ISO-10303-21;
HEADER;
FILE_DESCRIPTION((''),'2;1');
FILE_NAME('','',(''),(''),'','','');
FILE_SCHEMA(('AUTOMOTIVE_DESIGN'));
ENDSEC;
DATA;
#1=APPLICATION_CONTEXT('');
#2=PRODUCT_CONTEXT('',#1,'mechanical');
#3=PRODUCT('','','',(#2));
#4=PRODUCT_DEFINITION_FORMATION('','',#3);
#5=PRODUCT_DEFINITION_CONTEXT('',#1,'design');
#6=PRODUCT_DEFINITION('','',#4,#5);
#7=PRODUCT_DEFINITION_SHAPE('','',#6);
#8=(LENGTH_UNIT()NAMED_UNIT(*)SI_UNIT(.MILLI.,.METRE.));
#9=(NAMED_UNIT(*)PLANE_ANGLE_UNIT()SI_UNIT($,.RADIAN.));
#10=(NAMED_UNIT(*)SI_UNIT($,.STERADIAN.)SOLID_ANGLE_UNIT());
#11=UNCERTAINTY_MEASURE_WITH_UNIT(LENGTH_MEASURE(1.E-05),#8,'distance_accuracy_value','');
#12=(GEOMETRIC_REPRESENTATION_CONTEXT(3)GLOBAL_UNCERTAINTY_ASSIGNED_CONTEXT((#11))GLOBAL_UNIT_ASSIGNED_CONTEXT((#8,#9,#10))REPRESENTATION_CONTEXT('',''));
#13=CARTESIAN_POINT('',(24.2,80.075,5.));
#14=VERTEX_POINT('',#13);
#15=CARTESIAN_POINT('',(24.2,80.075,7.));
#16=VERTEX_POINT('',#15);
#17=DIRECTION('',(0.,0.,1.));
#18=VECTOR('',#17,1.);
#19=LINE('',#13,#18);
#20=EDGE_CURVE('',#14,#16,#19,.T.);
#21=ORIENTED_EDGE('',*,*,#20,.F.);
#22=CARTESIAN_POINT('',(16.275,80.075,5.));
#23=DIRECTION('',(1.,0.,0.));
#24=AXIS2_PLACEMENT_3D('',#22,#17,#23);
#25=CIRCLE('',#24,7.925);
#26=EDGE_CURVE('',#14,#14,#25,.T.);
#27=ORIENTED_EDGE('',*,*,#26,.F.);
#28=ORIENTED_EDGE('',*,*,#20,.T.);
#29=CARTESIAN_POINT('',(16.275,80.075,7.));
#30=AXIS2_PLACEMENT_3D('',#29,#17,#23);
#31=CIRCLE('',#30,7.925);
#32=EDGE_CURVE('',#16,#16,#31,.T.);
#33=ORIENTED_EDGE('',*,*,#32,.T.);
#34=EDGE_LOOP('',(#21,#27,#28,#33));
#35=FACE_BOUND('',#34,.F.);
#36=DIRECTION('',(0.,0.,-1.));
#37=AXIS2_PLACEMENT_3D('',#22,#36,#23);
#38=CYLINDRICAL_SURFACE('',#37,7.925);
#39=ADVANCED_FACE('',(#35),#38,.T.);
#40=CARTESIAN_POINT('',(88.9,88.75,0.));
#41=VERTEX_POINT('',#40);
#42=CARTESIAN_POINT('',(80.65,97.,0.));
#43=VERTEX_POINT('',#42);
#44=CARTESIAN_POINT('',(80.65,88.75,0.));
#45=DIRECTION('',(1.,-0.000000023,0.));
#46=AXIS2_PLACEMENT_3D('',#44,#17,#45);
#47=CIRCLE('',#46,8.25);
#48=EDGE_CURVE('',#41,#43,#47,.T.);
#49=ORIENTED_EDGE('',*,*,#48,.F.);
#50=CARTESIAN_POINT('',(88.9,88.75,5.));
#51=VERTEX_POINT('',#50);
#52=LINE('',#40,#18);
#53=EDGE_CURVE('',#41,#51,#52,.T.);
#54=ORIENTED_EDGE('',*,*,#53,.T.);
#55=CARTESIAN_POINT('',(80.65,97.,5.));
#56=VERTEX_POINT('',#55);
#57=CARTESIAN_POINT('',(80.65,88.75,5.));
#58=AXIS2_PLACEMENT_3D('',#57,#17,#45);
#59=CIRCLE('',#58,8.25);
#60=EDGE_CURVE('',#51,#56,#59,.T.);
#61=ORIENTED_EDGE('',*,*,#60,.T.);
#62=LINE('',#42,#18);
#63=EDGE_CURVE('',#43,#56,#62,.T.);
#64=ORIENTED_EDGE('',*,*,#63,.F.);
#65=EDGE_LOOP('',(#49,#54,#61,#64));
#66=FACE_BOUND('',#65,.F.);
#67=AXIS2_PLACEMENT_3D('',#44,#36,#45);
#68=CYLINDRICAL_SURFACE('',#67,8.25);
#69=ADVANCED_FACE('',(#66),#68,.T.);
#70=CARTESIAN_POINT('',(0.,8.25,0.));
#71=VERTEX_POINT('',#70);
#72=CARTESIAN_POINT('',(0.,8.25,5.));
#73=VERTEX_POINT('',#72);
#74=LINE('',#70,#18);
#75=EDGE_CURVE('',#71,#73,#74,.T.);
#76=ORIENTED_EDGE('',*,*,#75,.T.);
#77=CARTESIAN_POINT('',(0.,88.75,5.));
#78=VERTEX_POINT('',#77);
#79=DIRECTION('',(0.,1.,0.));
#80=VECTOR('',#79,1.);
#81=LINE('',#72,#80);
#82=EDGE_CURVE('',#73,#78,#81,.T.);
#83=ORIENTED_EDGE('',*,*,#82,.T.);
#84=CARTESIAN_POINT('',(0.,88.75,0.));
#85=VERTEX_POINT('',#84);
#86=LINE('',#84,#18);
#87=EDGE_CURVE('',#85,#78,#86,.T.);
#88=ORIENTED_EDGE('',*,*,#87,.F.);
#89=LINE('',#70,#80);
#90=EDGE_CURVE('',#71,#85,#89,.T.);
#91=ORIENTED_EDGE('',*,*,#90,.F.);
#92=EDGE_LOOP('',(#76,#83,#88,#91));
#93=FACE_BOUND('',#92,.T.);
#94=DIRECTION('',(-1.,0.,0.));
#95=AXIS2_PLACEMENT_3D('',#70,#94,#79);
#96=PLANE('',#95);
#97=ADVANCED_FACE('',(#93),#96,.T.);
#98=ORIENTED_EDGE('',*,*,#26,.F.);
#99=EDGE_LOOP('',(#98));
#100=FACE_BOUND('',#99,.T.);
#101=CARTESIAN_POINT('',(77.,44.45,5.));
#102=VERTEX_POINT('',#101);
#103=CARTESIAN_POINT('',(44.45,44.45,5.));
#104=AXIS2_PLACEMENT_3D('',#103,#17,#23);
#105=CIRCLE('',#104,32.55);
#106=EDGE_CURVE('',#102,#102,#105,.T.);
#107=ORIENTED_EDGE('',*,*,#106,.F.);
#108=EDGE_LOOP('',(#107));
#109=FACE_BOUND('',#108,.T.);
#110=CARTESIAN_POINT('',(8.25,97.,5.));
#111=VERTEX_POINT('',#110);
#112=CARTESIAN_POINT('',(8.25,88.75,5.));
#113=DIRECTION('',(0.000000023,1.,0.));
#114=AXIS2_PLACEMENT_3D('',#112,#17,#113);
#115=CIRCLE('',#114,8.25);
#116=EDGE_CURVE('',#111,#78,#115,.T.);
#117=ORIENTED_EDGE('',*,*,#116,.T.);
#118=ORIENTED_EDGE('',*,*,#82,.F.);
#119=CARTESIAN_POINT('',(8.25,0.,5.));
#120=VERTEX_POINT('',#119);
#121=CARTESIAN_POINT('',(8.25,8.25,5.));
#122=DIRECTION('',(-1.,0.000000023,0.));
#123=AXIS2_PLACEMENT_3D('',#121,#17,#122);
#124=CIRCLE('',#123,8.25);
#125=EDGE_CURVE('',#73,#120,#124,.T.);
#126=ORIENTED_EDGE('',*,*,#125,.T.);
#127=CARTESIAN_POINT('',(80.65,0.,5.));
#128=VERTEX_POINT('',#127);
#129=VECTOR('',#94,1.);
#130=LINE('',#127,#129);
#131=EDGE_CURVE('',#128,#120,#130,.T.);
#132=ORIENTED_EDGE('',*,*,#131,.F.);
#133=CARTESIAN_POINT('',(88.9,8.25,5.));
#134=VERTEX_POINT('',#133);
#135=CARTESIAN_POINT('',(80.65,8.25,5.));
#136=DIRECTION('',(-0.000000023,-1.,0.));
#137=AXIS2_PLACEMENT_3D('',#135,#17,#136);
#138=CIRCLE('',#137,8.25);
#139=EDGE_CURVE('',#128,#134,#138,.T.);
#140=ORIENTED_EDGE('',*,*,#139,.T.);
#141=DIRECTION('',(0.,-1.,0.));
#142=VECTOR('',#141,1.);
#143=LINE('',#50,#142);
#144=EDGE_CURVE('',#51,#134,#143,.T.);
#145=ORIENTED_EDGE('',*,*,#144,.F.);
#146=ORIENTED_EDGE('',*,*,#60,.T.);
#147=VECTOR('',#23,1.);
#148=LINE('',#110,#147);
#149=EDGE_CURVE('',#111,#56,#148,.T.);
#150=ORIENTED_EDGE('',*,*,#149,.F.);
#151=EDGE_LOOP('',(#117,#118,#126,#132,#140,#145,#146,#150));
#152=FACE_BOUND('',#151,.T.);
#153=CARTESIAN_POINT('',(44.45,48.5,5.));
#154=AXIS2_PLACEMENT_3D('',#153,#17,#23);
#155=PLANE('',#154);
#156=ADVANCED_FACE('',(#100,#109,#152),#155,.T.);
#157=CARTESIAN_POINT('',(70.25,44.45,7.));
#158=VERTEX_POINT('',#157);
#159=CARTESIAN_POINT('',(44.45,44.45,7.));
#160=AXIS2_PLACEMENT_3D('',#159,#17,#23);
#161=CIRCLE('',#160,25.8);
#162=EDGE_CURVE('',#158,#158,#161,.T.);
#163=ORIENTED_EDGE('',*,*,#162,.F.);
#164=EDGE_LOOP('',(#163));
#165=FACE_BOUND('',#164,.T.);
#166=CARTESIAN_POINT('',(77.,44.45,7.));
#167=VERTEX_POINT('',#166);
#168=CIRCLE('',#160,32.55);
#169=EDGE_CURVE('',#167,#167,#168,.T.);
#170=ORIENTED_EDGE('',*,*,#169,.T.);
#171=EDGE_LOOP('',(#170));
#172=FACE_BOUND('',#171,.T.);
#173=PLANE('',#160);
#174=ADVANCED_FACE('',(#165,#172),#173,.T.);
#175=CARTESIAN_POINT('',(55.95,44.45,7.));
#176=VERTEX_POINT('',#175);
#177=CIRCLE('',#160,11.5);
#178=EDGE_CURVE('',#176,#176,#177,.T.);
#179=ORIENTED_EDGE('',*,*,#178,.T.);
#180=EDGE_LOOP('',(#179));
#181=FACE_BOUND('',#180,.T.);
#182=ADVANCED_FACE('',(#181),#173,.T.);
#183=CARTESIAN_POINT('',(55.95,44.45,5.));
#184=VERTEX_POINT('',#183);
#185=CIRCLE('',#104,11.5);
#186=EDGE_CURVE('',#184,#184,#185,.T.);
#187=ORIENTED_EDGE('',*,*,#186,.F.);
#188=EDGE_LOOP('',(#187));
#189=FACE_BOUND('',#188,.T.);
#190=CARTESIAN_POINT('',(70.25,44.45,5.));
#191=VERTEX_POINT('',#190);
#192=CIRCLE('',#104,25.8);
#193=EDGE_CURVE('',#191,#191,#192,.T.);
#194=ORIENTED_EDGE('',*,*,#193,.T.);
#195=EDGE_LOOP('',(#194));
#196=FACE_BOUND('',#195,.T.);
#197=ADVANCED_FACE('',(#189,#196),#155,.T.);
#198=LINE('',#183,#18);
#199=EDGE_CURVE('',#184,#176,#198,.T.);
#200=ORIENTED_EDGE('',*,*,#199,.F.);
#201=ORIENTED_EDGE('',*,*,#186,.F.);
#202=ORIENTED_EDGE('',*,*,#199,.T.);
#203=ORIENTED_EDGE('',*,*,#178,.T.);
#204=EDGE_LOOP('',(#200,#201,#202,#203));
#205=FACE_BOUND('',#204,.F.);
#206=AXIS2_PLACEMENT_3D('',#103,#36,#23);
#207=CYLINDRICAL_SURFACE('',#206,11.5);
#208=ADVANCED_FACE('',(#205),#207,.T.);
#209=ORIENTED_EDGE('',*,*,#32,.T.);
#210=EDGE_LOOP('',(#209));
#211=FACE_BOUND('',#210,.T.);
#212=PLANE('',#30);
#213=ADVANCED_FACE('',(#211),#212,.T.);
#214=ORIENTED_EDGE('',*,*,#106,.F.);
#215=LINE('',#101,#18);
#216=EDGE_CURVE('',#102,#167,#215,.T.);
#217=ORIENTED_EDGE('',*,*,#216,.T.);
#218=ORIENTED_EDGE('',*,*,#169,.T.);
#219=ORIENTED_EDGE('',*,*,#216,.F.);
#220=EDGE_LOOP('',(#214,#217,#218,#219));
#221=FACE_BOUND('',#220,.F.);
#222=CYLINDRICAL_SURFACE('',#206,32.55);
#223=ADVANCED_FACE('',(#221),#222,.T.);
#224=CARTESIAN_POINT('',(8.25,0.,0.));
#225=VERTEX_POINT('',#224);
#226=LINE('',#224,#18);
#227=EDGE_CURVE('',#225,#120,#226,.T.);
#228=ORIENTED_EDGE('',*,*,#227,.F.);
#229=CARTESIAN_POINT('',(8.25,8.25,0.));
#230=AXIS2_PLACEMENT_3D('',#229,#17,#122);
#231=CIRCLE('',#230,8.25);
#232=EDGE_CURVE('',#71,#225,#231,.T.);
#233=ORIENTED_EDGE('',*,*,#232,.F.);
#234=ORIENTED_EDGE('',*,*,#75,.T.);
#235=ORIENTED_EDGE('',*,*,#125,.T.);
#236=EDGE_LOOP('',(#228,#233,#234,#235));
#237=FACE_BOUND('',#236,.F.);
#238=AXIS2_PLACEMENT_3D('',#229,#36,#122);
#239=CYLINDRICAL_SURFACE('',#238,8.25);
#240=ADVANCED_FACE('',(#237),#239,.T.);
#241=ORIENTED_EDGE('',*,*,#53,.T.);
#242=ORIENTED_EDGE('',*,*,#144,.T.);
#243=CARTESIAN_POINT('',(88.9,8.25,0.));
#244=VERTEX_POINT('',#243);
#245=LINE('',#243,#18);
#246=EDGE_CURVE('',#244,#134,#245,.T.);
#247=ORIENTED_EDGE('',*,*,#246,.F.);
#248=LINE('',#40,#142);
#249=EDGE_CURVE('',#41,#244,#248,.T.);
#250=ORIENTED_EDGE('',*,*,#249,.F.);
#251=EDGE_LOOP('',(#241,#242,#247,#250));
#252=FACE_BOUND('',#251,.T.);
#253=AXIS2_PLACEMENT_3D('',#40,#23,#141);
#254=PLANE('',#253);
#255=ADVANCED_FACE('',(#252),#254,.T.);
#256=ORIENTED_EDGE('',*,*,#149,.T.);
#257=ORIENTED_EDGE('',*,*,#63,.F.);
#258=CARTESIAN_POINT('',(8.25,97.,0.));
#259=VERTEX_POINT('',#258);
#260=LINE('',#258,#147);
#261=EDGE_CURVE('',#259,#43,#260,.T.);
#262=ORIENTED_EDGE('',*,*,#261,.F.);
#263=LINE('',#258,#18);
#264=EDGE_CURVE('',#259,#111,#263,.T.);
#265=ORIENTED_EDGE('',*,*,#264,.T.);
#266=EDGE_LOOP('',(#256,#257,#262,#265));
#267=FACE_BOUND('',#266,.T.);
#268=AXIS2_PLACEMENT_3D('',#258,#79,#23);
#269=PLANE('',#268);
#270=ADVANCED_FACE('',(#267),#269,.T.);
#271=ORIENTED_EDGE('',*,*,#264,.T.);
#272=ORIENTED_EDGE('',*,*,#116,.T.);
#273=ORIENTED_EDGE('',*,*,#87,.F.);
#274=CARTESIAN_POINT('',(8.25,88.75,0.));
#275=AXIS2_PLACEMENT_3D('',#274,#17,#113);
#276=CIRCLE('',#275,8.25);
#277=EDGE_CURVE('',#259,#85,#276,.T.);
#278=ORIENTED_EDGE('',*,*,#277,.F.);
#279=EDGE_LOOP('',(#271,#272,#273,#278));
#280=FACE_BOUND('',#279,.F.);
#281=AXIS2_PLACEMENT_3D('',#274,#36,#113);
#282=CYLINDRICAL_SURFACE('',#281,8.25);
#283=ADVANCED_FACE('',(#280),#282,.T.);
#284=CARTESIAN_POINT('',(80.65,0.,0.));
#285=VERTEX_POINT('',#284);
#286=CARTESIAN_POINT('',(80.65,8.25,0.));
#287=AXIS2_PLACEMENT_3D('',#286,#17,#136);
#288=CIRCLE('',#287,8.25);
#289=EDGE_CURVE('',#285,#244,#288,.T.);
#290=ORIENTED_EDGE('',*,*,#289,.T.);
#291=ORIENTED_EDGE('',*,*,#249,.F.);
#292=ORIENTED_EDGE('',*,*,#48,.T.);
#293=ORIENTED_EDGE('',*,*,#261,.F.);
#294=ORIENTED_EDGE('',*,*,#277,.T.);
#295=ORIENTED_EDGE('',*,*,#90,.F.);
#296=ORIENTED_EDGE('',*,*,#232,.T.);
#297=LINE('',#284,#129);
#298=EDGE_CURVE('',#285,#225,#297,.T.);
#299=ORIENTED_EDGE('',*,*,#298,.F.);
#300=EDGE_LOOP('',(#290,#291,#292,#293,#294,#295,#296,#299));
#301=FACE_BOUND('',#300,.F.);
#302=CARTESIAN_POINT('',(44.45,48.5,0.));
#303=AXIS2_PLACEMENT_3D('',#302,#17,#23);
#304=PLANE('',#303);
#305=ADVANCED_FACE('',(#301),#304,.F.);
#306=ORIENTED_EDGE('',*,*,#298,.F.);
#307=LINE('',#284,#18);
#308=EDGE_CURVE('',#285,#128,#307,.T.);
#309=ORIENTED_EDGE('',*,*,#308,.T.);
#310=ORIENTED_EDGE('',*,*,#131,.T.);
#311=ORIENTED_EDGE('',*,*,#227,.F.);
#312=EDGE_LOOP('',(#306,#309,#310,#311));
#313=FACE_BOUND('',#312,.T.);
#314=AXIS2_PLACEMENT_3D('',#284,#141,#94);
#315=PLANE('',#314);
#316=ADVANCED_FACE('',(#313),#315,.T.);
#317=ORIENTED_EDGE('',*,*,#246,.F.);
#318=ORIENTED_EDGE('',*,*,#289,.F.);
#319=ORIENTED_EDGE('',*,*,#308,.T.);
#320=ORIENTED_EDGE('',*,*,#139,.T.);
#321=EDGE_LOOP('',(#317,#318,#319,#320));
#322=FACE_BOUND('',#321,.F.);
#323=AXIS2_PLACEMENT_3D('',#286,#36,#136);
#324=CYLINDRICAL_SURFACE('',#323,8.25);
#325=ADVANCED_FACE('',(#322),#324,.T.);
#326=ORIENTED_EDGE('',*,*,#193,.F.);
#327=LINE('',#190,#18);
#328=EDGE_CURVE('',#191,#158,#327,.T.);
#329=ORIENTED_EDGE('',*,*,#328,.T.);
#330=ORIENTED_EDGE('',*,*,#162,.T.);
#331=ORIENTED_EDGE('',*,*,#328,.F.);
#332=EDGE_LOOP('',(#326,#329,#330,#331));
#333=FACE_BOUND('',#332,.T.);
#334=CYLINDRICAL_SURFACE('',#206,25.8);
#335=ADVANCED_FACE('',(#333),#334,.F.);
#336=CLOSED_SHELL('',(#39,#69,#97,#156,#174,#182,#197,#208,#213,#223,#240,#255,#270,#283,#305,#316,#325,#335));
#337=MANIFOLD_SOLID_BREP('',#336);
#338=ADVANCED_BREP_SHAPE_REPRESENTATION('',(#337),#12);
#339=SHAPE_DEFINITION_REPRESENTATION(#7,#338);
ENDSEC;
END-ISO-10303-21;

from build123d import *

# Parameters (mm, degrees)
PAD_DEPTH     = 5
SKETCH001_R   = 7.925
SKETCH001_R_2 = 32.55
SKETCH001_R_3 = 25.8
SKETCH001_R_4 = 11.5
PAD001_DEPTH  = 2


with BuildPart() as part:
    # Sketch → Pad (new body)
    with BuildSketch(Plane.XY):
        with BuildLine():
            ThreePointArc((0, 8.25), (2.416369, 2.416369), (8.25, 0))
            Line((80.65, 0), (8.25, 0))
            ThreePointArc((80.65, 0), (86.483631, 2.416369), (88.9, 8.25))
            Line((88.9, 88.75), (88.9, 8.25))
            ThreePointArc((88.9, 88.75), (86.483631, 94.583631), (80.65, 97))
            Line((8.25, 97), (80.65, 97))
            ThreePointArc((8.25, 97), (2.416369, 94.583631), (0, 88.75))
            Line((0, 8.25), (0, 88.75))
        make_face()
    extrude(amount=PAD_DEPTH)

    # Sketch001 (on Face10 of Pad) → Pad001 (join)
    with BuildSketch(Plane.XY.offset(5)):
        with Locations((16.275, 80.075)):
            Circle(SKETCH001_R)
        with Locations((44.45, 44.45)):
            Circle(SKETCH001_R_2)
        with Locations((44.45, 44.45)):
            Circle(SKETCH001_R_3, mode=Mode.SUBTRACT)
        with Locations((44.45, 44.45)):
            Circle(SKETCH001_R_4)
    extrude(amount=PAD001_DEPTH)


solid = part.part
